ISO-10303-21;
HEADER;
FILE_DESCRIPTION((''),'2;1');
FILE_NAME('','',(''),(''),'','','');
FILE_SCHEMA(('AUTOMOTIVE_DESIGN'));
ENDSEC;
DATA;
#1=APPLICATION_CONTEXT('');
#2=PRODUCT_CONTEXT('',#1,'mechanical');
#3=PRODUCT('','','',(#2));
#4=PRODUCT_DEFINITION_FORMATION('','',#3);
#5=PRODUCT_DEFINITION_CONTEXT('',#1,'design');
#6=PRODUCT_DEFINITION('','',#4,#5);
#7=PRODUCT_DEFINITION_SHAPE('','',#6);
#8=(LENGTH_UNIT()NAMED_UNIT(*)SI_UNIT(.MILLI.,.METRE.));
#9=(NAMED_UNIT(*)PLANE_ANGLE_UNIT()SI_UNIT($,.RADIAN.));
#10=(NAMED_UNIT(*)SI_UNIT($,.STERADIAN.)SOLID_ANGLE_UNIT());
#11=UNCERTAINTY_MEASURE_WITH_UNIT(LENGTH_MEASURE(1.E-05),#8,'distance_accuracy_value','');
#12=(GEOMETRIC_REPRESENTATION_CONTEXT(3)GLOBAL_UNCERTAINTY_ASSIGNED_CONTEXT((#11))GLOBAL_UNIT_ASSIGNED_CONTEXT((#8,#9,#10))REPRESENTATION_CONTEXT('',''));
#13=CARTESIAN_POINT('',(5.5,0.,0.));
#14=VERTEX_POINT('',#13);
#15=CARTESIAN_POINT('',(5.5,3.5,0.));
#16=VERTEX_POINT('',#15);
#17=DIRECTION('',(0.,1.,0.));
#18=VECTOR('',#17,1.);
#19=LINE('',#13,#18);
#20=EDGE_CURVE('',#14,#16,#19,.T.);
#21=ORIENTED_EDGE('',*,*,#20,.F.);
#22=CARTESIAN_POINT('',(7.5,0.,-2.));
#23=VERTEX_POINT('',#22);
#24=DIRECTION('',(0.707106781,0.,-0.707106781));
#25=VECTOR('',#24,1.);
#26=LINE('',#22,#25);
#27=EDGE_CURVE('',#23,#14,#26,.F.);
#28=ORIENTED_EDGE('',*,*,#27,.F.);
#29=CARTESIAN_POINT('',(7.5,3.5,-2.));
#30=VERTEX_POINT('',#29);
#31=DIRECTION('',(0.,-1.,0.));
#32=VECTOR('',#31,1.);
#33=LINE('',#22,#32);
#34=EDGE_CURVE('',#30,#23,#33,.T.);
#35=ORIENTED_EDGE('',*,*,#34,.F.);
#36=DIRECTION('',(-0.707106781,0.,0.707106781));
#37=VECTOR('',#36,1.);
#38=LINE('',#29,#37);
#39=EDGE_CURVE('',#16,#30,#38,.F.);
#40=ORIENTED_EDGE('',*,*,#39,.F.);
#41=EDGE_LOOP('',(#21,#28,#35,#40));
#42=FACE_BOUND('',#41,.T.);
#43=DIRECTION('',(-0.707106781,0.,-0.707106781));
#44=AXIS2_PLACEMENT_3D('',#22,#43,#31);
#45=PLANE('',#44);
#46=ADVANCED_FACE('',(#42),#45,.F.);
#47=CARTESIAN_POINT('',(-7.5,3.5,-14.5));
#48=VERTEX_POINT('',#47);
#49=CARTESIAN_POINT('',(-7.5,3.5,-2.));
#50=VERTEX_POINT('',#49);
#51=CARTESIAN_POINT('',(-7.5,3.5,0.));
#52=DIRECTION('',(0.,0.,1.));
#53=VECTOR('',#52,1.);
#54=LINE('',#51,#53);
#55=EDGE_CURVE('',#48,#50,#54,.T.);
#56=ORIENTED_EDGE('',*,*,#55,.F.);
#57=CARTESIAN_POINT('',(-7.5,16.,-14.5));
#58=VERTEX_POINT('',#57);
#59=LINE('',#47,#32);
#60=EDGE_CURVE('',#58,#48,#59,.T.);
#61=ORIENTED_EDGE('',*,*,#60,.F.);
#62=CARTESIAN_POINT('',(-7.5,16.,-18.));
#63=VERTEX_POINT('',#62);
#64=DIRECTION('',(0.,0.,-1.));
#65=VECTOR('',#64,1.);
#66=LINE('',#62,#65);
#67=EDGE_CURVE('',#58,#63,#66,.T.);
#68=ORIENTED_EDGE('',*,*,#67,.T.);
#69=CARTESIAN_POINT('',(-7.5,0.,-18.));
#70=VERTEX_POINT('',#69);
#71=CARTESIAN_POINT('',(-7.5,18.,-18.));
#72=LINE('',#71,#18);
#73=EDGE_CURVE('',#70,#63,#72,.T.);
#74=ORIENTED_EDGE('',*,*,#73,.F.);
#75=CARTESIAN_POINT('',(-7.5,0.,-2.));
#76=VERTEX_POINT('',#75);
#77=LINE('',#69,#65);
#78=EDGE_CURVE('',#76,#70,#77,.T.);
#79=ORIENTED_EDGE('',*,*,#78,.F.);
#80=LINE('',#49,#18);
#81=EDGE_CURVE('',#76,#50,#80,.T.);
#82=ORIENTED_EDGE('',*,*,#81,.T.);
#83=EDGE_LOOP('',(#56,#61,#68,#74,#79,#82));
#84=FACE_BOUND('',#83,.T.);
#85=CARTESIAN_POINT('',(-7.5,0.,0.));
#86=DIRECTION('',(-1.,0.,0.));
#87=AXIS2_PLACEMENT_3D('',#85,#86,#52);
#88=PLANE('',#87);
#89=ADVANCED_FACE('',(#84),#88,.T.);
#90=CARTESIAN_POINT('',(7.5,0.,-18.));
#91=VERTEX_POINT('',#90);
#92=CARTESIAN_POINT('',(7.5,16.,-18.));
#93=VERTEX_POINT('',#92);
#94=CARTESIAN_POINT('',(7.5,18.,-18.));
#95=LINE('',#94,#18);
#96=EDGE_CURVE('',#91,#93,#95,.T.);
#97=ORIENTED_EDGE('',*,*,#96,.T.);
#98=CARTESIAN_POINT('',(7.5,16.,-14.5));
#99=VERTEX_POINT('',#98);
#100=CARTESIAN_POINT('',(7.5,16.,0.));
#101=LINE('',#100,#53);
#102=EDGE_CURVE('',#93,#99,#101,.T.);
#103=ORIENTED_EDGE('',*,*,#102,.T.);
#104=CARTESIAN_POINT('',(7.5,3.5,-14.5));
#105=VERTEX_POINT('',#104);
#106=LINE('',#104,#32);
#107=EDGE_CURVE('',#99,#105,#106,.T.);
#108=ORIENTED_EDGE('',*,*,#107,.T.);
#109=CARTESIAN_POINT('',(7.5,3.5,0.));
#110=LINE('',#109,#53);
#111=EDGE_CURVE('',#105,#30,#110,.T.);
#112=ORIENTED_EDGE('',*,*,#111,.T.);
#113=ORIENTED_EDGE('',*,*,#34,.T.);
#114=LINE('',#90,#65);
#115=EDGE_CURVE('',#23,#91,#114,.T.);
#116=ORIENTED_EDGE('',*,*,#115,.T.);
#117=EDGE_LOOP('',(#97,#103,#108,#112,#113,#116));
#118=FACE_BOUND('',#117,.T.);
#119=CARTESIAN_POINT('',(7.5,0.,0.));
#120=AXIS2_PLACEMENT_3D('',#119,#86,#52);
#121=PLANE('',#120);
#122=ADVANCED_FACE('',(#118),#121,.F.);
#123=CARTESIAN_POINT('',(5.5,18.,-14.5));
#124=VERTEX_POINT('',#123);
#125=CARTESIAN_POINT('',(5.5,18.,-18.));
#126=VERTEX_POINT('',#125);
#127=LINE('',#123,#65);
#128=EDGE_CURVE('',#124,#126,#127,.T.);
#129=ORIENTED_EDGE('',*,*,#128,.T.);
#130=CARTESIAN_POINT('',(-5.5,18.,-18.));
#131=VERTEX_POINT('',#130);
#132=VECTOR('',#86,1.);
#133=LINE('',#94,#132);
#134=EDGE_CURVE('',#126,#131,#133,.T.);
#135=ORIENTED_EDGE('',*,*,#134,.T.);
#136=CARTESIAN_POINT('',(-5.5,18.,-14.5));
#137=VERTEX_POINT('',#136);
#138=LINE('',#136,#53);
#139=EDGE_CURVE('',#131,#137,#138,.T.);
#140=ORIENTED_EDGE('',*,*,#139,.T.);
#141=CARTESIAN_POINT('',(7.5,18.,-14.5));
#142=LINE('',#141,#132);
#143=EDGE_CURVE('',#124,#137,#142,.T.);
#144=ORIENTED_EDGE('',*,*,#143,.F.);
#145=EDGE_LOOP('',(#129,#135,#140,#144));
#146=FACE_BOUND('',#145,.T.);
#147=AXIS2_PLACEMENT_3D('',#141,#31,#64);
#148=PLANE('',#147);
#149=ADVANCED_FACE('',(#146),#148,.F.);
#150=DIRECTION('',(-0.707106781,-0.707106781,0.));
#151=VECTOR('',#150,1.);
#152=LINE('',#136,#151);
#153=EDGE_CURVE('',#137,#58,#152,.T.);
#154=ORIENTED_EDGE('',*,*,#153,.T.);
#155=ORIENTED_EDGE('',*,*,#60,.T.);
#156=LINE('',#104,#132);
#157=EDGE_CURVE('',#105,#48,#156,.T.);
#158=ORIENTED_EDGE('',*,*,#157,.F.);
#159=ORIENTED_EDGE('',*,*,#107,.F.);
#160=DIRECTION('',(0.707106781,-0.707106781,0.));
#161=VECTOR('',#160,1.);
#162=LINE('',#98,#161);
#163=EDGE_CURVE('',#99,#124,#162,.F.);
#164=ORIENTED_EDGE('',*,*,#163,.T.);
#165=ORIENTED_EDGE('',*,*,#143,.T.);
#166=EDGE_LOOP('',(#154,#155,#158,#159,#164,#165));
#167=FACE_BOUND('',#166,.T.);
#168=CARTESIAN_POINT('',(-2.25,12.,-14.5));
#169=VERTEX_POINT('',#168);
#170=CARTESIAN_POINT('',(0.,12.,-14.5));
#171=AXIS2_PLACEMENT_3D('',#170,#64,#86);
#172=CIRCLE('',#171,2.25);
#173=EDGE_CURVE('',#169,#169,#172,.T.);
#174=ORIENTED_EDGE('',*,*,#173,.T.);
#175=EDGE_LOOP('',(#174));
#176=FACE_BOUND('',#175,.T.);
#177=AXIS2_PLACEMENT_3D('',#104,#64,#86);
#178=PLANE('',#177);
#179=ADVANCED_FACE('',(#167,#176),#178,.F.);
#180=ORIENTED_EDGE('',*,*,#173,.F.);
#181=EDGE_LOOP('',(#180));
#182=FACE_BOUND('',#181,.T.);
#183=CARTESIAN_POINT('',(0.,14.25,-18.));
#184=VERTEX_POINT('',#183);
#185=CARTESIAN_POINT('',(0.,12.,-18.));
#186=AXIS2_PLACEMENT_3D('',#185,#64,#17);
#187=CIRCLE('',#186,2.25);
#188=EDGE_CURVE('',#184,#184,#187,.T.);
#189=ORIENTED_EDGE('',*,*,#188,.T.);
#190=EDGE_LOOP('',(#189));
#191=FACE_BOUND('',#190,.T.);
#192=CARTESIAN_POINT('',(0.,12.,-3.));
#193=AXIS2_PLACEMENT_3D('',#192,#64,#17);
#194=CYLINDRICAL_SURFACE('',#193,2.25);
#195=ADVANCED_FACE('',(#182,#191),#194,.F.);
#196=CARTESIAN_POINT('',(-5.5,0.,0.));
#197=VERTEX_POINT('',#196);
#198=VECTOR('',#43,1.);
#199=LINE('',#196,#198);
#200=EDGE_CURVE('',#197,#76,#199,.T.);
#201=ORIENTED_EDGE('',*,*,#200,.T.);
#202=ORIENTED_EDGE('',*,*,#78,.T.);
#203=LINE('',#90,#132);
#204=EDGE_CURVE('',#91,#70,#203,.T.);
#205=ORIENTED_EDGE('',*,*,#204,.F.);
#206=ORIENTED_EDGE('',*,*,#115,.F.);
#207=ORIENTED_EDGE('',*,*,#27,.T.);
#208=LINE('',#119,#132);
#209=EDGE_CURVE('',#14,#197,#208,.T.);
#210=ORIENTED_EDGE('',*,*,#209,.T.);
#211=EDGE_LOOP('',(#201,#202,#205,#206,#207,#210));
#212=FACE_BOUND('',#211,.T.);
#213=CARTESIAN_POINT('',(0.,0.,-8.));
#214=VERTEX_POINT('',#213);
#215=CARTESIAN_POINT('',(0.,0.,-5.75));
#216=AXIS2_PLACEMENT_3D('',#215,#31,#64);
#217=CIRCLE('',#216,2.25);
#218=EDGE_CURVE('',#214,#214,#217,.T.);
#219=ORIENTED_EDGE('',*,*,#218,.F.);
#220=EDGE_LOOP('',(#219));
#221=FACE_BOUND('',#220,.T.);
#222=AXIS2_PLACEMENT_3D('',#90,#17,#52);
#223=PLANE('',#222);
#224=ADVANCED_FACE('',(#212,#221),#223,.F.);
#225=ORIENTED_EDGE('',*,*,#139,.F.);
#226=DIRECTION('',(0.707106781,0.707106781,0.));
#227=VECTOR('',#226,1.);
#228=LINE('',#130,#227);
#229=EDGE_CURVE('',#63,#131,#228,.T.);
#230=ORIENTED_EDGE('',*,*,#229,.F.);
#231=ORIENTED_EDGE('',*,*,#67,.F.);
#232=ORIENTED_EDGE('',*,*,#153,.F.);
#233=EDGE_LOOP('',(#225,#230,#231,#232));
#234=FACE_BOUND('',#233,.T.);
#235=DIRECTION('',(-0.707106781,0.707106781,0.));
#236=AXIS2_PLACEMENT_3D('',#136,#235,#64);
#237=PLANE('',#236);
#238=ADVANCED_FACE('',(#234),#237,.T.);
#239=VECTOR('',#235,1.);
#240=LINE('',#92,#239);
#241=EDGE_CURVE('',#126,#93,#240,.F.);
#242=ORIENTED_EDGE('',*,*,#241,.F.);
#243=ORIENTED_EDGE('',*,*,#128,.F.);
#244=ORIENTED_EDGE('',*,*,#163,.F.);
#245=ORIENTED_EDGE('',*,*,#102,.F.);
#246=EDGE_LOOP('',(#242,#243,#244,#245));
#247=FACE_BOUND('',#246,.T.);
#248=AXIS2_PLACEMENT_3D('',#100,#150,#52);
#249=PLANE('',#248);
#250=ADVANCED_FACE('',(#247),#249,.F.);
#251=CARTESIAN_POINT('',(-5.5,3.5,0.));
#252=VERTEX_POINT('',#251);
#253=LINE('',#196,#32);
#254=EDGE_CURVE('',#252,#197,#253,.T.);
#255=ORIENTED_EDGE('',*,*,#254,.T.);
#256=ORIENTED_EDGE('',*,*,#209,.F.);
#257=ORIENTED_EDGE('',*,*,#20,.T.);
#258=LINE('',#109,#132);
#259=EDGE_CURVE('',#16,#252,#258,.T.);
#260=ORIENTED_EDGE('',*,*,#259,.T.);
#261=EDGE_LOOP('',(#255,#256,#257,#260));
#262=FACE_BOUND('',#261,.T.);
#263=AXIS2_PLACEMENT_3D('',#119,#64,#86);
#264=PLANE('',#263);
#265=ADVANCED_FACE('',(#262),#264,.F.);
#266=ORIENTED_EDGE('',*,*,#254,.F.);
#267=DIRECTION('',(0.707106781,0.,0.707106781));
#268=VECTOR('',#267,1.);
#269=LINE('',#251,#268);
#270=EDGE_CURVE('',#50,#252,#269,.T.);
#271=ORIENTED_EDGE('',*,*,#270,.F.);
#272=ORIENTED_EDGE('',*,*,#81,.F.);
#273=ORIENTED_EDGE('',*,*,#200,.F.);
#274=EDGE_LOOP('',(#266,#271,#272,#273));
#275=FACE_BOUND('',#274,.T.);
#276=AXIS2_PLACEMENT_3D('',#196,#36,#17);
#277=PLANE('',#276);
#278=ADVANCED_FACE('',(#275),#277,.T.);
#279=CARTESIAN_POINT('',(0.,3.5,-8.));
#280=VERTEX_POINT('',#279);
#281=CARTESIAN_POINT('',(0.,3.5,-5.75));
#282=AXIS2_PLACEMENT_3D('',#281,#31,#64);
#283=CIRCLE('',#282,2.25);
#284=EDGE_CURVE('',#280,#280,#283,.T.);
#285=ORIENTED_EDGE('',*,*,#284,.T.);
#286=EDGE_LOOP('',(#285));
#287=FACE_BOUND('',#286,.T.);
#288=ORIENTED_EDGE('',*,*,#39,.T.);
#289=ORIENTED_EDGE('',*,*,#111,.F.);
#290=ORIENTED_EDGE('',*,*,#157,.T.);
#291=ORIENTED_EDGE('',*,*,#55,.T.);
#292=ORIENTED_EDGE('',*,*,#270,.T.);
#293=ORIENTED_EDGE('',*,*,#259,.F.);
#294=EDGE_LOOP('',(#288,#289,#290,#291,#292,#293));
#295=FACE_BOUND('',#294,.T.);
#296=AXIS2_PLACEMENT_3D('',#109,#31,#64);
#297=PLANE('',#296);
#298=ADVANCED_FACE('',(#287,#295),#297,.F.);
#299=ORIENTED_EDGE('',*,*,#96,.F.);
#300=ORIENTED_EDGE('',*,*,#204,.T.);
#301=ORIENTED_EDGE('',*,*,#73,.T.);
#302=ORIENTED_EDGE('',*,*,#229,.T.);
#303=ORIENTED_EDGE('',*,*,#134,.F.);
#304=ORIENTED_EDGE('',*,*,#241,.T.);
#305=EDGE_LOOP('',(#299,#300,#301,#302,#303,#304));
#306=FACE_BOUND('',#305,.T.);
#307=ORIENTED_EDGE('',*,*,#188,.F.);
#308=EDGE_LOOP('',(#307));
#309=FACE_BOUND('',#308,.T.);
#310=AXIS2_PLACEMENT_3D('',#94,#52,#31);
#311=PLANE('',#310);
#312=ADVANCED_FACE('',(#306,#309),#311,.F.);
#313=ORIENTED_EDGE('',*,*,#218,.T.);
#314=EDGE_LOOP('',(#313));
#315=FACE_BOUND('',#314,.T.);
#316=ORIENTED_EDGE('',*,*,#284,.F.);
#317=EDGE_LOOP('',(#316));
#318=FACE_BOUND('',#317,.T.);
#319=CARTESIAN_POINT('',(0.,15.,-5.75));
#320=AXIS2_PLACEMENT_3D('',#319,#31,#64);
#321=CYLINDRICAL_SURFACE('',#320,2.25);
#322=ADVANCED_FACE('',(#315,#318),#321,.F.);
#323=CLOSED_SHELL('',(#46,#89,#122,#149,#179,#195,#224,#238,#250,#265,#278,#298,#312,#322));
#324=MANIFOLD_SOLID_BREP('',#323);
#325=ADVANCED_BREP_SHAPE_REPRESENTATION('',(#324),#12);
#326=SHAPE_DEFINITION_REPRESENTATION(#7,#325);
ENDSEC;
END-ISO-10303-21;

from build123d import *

# Parameters (mm, degrees)
SALIENTE_EXTRUIR1_DEPTH = 7.5
CROQUIS2_R              = 2.25
CORTAR_EXTRUIR1_DEPTH   = 15
CROQUIS3_R              = 2.25
CORTAR_EXTRUIR2_DEPTH   = 15
CHAFL_N1_SIZE           = 2


with BuildPart() as part:
    # Croquis1 → Saliente-Extruir1 (new body, symmetric)
    with BuildSketch(Plane(origin=(0, 0, 0), x_dir=(0, 0, -1), z_dir=(1, 0, 0))):
        Polygon((0, 0), (0, 3.5), (14.5, 3.5), (14.5, 18), (18, 18), (18, 0), align=None)
    extrude(amount=SALIENTE_EXTRUIR1_DEPTH, both=True)

    # Croquis2 → Cortar-Extruir1 (cut)
    with BuildSketch(Plane.XZ):
        with Locations((0, -5.75)):
            Circle(CROQUIS2_R)
    extrude(amount=-CORTAR_EXTRUIR1_DEPTH, mode=Mode.SUBTRACT)

    # Croquis3 → Cortar-Extruir2 (cut)
    with BuildSketch(Plane(origin=(0, 0, -18), x_dir=(-1, 0, 0), z_dir=(0, 0, -1))):
        with Locations((0, 12)):
            Circle(CROQUIS3_R)
    extrude(amount=-CORTAR_EXTRUIR2_DEPTH, mode=Mode.SUBTRACT)

    # Chaflán1
    chafl_n1_edges = [part.edges().sort_by_distance(p)[0] for p in [
        (7.5, 18, -16.25),
        (7.5, 1.75, 0),
        (-7.5, 1.75, 0),
        (-7.5, 18, -16.25),
    ]]
    chamfer(chafl_n1_edges, length=CHAFL_N1_SIZE)


solid = part.part
